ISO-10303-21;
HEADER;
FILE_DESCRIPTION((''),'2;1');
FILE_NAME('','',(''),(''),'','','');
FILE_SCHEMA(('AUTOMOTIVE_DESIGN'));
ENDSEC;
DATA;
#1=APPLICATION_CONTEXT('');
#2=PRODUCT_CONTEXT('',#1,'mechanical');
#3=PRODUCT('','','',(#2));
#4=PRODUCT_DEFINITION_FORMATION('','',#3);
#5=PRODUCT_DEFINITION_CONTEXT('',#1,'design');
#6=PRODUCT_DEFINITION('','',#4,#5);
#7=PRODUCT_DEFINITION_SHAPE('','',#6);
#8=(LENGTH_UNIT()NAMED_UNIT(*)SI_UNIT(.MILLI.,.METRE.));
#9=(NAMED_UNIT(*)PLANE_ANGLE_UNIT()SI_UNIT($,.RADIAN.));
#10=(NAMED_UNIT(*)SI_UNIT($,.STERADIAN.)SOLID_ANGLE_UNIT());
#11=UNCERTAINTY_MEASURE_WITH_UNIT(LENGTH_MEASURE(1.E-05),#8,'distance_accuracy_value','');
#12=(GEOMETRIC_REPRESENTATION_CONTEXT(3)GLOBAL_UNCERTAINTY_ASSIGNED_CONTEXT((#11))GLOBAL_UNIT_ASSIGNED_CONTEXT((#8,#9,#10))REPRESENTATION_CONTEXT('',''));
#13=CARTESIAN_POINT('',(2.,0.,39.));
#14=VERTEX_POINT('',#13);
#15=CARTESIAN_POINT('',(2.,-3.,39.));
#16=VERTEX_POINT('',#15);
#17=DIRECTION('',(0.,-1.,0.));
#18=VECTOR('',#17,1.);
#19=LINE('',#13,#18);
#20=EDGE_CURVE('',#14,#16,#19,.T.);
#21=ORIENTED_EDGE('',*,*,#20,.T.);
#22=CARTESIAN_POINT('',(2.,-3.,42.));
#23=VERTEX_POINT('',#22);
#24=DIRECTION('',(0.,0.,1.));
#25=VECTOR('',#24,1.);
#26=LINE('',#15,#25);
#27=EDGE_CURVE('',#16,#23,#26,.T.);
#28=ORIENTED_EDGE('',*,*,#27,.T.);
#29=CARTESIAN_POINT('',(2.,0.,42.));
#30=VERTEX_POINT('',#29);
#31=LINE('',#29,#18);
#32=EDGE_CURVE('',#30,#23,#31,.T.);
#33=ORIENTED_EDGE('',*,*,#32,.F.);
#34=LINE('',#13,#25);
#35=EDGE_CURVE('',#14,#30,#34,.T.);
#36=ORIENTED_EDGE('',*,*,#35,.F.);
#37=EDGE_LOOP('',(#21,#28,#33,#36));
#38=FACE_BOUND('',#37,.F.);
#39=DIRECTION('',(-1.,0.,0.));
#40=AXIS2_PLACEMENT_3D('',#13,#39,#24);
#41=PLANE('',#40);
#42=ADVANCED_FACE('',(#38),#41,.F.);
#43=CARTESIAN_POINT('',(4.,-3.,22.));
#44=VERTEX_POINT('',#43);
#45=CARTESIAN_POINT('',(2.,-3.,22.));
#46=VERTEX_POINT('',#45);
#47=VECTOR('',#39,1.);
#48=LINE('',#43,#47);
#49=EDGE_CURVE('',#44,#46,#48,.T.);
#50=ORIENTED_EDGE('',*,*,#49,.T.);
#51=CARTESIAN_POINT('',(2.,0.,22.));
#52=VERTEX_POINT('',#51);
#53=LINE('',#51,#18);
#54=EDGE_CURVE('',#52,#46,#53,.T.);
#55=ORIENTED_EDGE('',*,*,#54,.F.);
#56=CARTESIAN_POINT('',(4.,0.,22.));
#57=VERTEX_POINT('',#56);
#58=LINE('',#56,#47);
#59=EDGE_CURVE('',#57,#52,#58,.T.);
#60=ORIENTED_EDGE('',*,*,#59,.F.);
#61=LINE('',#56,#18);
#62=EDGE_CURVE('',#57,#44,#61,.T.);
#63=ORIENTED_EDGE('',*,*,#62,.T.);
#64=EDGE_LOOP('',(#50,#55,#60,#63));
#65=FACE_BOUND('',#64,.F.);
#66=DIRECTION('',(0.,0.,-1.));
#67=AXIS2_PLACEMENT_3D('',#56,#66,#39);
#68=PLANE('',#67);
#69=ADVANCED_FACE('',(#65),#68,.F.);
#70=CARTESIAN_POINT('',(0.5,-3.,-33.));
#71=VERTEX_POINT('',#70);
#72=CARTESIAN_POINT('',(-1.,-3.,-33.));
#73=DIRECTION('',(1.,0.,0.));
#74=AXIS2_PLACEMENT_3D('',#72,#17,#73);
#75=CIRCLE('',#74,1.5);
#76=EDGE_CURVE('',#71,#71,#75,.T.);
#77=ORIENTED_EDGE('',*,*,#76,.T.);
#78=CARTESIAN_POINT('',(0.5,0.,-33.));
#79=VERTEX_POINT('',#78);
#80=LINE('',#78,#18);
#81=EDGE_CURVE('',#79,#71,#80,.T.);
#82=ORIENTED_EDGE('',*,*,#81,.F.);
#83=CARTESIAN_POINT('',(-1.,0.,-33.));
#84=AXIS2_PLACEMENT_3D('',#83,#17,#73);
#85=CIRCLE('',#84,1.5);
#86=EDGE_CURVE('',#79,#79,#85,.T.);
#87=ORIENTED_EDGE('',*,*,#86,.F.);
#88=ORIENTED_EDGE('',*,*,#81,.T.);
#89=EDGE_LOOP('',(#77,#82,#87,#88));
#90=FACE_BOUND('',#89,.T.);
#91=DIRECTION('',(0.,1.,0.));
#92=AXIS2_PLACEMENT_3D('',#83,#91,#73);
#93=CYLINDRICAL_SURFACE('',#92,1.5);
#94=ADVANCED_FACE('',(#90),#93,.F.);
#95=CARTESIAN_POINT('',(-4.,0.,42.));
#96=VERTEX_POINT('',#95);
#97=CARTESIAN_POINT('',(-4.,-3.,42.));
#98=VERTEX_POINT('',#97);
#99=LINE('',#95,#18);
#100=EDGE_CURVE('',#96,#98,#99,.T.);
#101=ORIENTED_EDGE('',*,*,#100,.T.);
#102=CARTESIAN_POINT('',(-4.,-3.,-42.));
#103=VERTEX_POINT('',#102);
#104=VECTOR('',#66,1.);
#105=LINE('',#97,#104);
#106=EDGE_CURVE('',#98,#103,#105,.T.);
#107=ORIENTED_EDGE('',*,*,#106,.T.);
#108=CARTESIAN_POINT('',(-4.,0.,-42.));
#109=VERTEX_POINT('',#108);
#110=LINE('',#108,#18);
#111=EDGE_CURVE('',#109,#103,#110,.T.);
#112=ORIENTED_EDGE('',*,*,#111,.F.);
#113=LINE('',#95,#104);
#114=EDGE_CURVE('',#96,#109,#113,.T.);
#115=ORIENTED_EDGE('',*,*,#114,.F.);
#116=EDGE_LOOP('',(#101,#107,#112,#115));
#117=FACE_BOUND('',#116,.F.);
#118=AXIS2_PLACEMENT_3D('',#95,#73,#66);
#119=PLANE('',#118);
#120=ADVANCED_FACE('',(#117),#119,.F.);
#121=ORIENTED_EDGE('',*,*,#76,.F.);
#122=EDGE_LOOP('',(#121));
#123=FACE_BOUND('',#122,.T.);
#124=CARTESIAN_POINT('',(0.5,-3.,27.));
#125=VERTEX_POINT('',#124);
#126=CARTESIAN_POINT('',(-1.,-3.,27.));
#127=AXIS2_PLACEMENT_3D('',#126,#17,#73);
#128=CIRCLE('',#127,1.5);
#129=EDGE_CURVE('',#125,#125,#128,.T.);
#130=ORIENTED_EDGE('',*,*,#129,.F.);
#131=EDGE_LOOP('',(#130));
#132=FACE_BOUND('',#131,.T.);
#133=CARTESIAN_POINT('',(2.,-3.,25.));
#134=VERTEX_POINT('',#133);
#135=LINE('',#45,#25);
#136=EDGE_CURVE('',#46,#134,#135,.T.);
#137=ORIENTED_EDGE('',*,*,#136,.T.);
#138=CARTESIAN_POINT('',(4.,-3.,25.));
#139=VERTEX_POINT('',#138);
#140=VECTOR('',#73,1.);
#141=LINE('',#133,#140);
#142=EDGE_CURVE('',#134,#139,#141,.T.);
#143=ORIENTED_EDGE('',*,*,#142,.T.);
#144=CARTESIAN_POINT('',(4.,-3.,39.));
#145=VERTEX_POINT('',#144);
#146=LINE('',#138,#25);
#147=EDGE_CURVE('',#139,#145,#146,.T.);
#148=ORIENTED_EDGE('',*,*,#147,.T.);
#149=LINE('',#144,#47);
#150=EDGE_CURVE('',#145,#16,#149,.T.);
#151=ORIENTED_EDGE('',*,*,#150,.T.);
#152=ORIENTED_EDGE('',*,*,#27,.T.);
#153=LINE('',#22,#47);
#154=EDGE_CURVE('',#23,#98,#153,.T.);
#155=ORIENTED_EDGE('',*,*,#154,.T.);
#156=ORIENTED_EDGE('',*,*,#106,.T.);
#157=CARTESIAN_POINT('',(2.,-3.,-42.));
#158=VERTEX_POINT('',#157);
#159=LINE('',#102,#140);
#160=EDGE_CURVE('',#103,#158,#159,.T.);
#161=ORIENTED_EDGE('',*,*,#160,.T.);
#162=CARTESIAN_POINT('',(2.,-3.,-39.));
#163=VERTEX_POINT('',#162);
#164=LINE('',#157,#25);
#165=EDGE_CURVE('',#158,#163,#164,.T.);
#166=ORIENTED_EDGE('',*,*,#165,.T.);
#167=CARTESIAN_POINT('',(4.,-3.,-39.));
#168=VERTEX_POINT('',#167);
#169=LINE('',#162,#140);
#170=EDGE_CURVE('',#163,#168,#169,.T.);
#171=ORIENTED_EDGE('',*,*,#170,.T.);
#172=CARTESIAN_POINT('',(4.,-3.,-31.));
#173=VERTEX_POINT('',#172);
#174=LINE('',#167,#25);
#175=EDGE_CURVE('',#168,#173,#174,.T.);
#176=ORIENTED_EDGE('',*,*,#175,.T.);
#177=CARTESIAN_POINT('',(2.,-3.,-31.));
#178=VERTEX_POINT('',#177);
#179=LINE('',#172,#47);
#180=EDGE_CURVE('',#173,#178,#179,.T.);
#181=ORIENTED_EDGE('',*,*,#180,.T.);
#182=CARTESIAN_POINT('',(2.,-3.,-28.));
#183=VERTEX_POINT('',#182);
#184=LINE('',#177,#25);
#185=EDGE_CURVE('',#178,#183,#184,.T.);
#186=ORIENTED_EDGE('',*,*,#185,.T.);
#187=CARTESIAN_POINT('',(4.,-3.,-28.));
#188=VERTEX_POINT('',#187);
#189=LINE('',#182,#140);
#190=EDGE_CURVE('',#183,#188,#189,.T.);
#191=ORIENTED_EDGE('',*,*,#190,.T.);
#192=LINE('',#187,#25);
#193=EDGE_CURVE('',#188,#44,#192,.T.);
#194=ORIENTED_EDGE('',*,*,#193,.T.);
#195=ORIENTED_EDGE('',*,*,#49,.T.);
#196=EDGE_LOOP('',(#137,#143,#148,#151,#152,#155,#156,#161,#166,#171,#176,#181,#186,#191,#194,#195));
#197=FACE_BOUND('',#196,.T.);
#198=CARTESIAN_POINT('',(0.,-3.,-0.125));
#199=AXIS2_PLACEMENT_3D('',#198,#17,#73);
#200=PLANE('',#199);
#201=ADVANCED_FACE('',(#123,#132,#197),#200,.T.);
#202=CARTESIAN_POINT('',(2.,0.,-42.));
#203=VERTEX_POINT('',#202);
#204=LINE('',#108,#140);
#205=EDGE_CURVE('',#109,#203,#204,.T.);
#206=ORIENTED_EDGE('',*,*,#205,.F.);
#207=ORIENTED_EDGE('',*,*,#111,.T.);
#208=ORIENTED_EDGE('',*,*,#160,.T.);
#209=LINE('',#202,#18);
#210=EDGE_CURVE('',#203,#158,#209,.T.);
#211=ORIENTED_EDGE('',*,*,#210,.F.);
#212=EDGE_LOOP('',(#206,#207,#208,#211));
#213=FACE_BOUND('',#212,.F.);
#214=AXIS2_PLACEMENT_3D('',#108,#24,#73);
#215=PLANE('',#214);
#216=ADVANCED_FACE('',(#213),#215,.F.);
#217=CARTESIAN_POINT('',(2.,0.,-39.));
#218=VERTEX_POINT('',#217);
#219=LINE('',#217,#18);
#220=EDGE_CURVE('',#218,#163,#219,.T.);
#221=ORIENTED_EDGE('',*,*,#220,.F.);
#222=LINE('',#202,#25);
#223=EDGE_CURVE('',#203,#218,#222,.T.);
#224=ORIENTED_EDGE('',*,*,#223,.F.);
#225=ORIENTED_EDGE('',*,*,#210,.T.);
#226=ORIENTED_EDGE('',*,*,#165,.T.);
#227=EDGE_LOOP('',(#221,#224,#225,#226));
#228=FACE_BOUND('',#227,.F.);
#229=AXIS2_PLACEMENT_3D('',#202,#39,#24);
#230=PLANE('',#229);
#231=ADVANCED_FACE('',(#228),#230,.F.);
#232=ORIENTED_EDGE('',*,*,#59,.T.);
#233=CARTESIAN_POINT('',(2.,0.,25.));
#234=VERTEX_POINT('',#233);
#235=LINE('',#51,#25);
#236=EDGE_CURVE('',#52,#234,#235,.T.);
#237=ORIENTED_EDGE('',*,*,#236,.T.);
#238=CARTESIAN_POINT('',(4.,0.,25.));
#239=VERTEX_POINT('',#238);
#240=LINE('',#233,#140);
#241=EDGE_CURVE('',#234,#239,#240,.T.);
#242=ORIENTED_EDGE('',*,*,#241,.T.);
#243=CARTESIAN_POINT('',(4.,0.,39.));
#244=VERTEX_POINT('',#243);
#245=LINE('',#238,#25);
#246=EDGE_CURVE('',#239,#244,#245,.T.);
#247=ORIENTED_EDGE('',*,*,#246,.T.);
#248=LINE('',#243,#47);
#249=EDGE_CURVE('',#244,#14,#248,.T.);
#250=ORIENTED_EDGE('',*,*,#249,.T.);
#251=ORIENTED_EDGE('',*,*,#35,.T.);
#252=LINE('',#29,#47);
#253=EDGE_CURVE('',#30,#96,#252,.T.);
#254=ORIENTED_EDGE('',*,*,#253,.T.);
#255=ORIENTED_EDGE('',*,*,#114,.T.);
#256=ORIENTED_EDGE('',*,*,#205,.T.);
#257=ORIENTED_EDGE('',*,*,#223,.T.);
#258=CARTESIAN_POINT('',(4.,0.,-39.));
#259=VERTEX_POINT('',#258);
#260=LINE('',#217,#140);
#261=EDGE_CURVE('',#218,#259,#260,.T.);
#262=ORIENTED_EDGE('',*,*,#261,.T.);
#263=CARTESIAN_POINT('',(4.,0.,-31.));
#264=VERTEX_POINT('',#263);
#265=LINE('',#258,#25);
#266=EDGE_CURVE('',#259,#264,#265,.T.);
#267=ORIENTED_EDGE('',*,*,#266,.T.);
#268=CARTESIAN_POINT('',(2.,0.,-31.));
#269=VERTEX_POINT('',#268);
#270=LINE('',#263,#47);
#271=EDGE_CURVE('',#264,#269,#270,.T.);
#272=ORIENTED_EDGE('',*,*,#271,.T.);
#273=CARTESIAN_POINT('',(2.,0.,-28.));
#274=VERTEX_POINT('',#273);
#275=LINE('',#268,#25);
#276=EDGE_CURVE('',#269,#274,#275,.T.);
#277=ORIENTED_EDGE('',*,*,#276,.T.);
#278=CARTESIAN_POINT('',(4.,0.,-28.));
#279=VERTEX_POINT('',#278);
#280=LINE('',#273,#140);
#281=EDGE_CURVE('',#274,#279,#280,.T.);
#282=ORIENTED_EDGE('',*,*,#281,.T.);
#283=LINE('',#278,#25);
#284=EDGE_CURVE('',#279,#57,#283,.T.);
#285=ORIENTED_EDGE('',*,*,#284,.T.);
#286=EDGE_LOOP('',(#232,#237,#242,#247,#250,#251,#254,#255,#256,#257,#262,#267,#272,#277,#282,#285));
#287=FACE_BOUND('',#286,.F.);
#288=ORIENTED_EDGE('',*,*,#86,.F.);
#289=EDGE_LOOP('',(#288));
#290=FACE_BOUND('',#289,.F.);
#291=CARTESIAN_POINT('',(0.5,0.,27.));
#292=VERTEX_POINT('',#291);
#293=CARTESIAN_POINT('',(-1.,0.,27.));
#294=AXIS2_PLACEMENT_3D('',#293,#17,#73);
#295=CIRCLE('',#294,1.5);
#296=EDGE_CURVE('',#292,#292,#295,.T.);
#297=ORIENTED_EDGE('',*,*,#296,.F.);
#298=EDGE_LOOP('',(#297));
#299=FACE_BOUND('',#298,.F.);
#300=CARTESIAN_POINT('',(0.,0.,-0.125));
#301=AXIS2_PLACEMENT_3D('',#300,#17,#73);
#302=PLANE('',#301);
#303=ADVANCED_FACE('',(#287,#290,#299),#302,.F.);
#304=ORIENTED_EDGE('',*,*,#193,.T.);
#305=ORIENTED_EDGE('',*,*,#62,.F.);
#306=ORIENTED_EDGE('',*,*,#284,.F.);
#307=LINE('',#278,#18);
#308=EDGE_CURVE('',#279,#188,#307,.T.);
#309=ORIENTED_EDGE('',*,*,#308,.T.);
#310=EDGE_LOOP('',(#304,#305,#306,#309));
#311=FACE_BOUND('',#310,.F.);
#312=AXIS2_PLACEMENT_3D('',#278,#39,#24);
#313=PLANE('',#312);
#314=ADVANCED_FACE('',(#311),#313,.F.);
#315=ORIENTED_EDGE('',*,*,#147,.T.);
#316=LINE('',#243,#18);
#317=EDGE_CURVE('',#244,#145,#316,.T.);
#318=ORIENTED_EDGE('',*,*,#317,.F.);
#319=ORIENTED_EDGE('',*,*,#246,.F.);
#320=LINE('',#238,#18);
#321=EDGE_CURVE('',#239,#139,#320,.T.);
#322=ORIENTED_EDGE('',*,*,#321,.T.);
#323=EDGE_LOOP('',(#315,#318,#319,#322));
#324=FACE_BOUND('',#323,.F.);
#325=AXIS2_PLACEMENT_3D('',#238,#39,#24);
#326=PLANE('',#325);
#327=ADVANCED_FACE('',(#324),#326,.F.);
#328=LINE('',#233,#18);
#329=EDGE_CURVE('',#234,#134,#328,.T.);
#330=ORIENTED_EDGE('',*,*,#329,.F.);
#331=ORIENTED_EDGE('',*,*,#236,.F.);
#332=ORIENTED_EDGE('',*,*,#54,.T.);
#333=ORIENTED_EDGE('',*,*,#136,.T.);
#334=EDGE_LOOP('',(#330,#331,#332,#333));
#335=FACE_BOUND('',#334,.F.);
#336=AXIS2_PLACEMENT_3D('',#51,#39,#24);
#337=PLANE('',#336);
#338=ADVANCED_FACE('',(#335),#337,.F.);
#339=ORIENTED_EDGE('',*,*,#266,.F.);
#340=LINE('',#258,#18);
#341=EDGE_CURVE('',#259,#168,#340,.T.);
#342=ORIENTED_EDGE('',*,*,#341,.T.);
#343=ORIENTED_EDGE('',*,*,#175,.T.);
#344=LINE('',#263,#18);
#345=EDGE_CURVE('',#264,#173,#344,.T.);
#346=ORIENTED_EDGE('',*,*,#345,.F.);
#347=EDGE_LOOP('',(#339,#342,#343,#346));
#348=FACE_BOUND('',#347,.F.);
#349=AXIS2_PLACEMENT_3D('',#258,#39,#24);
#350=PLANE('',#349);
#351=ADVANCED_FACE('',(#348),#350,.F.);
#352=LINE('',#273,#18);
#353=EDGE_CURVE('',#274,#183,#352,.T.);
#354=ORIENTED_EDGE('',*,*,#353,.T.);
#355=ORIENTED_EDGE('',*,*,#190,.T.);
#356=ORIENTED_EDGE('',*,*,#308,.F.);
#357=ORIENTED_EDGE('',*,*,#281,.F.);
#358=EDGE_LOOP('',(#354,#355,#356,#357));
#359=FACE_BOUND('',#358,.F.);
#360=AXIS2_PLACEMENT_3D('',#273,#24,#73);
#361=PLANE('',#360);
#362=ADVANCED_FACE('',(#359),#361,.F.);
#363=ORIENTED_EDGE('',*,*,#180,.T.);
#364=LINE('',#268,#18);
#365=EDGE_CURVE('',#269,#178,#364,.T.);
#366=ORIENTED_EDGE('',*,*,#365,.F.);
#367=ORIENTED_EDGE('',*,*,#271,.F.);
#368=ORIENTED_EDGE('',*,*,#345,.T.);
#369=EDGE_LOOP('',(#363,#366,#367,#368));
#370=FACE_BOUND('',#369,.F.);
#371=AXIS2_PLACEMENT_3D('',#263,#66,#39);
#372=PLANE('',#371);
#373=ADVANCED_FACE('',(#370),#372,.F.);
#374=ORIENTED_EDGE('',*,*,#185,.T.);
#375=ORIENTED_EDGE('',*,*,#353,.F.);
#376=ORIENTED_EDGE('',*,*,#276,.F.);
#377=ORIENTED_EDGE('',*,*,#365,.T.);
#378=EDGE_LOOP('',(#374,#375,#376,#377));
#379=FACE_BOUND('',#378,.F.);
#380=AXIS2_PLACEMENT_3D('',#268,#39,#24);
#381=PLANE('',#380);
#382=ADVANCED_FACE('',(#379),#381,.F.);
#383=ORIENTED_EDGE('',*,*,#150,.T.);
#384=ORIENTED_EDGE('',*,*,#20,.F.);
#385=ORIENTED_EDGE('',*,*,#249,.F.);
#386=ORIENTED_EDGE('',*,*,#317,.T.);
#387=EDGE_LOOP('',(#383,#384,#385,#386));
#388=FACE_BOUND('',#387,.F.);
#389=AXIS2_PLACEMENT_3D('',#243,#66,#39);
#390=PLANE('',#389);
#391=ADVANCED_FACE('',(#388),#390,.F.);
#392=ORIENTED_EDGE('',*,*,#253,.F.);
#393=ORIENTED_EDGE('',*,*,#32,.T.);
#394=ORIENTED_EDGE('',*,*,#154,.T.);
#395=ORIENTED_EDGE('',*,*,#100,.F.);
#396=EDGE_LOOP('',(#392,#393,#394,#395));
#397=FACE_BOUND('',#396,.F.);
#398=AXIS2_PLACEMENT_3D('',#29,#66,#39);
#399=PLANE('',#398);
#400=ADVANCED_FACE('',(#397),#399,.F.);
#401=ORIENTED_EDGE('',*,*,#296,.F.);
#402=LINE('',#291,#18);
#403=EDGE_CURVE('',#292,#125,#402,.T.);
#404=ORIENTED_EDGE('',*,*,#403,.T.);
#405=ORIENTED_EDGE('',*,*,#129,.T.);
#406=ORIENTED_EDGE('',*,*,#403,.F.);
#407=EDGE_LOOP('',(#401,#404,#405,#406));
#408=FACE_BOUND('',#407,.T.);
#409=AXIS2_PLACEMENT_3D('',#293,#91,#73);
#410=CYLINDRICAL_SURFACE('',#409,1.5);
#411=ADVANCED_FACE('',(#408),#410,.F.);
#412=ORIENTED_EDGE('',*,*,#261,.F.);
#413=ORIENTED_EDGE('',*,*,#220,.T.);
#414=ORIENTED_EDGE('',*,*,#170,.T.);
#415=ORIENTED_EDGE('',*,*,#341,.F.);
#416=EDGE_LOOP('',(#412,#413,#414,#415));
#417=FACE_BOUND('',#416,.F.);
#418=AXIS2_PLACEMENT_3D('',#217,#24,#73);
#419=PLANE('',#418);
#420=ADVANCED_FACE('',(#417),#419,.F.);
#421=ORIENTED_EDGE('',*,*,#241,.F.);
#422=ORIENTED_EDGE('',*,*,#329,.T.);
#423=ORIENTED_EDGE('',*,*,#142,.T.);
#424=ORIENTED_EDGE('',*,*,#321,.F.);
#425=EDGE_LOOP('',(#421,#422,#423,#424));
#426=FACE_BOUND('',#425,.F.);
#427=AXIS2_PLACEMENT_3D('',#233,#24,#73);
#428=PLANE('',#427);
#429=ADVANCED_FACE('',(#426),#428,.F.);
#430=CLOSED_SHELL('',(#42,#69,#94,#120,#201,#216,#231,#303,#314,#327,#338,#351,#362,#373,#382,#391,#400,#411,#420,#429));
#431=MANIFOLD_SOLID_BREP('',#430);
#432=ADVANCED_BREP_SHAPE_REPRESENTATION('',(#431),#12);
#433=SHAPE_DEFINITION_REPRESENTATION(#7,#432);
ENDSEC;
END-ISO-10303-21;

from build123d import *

# Parameters (mm, degrees)
F0_R     = 1.5
F1_DEPTH = 3


with BuildPart() as f1:
    # F0 (on Front) → F1 (new body)
    with BuildSketch(Plane.XZ):
        Polygon((2, 39), (2, 42), (-4, 42), (-4, -42), (2, -42), (2, -39), (4, -39), (4, -31), (2, -31), (2, -28), (4, -28), (4, 22), (2, 22), (2, 25), (4, 25), (4, 39), align=None)
        with Locations((-1, -33)):
            Circle(F0_R, mode=Mode.SUBTRACT)
        with Locations((-1, 27)):
            Circle(F0_R, mode=Mode.SUBTRACT)
    extrude(amount=F1_DEPTH)


solid = f1.part
